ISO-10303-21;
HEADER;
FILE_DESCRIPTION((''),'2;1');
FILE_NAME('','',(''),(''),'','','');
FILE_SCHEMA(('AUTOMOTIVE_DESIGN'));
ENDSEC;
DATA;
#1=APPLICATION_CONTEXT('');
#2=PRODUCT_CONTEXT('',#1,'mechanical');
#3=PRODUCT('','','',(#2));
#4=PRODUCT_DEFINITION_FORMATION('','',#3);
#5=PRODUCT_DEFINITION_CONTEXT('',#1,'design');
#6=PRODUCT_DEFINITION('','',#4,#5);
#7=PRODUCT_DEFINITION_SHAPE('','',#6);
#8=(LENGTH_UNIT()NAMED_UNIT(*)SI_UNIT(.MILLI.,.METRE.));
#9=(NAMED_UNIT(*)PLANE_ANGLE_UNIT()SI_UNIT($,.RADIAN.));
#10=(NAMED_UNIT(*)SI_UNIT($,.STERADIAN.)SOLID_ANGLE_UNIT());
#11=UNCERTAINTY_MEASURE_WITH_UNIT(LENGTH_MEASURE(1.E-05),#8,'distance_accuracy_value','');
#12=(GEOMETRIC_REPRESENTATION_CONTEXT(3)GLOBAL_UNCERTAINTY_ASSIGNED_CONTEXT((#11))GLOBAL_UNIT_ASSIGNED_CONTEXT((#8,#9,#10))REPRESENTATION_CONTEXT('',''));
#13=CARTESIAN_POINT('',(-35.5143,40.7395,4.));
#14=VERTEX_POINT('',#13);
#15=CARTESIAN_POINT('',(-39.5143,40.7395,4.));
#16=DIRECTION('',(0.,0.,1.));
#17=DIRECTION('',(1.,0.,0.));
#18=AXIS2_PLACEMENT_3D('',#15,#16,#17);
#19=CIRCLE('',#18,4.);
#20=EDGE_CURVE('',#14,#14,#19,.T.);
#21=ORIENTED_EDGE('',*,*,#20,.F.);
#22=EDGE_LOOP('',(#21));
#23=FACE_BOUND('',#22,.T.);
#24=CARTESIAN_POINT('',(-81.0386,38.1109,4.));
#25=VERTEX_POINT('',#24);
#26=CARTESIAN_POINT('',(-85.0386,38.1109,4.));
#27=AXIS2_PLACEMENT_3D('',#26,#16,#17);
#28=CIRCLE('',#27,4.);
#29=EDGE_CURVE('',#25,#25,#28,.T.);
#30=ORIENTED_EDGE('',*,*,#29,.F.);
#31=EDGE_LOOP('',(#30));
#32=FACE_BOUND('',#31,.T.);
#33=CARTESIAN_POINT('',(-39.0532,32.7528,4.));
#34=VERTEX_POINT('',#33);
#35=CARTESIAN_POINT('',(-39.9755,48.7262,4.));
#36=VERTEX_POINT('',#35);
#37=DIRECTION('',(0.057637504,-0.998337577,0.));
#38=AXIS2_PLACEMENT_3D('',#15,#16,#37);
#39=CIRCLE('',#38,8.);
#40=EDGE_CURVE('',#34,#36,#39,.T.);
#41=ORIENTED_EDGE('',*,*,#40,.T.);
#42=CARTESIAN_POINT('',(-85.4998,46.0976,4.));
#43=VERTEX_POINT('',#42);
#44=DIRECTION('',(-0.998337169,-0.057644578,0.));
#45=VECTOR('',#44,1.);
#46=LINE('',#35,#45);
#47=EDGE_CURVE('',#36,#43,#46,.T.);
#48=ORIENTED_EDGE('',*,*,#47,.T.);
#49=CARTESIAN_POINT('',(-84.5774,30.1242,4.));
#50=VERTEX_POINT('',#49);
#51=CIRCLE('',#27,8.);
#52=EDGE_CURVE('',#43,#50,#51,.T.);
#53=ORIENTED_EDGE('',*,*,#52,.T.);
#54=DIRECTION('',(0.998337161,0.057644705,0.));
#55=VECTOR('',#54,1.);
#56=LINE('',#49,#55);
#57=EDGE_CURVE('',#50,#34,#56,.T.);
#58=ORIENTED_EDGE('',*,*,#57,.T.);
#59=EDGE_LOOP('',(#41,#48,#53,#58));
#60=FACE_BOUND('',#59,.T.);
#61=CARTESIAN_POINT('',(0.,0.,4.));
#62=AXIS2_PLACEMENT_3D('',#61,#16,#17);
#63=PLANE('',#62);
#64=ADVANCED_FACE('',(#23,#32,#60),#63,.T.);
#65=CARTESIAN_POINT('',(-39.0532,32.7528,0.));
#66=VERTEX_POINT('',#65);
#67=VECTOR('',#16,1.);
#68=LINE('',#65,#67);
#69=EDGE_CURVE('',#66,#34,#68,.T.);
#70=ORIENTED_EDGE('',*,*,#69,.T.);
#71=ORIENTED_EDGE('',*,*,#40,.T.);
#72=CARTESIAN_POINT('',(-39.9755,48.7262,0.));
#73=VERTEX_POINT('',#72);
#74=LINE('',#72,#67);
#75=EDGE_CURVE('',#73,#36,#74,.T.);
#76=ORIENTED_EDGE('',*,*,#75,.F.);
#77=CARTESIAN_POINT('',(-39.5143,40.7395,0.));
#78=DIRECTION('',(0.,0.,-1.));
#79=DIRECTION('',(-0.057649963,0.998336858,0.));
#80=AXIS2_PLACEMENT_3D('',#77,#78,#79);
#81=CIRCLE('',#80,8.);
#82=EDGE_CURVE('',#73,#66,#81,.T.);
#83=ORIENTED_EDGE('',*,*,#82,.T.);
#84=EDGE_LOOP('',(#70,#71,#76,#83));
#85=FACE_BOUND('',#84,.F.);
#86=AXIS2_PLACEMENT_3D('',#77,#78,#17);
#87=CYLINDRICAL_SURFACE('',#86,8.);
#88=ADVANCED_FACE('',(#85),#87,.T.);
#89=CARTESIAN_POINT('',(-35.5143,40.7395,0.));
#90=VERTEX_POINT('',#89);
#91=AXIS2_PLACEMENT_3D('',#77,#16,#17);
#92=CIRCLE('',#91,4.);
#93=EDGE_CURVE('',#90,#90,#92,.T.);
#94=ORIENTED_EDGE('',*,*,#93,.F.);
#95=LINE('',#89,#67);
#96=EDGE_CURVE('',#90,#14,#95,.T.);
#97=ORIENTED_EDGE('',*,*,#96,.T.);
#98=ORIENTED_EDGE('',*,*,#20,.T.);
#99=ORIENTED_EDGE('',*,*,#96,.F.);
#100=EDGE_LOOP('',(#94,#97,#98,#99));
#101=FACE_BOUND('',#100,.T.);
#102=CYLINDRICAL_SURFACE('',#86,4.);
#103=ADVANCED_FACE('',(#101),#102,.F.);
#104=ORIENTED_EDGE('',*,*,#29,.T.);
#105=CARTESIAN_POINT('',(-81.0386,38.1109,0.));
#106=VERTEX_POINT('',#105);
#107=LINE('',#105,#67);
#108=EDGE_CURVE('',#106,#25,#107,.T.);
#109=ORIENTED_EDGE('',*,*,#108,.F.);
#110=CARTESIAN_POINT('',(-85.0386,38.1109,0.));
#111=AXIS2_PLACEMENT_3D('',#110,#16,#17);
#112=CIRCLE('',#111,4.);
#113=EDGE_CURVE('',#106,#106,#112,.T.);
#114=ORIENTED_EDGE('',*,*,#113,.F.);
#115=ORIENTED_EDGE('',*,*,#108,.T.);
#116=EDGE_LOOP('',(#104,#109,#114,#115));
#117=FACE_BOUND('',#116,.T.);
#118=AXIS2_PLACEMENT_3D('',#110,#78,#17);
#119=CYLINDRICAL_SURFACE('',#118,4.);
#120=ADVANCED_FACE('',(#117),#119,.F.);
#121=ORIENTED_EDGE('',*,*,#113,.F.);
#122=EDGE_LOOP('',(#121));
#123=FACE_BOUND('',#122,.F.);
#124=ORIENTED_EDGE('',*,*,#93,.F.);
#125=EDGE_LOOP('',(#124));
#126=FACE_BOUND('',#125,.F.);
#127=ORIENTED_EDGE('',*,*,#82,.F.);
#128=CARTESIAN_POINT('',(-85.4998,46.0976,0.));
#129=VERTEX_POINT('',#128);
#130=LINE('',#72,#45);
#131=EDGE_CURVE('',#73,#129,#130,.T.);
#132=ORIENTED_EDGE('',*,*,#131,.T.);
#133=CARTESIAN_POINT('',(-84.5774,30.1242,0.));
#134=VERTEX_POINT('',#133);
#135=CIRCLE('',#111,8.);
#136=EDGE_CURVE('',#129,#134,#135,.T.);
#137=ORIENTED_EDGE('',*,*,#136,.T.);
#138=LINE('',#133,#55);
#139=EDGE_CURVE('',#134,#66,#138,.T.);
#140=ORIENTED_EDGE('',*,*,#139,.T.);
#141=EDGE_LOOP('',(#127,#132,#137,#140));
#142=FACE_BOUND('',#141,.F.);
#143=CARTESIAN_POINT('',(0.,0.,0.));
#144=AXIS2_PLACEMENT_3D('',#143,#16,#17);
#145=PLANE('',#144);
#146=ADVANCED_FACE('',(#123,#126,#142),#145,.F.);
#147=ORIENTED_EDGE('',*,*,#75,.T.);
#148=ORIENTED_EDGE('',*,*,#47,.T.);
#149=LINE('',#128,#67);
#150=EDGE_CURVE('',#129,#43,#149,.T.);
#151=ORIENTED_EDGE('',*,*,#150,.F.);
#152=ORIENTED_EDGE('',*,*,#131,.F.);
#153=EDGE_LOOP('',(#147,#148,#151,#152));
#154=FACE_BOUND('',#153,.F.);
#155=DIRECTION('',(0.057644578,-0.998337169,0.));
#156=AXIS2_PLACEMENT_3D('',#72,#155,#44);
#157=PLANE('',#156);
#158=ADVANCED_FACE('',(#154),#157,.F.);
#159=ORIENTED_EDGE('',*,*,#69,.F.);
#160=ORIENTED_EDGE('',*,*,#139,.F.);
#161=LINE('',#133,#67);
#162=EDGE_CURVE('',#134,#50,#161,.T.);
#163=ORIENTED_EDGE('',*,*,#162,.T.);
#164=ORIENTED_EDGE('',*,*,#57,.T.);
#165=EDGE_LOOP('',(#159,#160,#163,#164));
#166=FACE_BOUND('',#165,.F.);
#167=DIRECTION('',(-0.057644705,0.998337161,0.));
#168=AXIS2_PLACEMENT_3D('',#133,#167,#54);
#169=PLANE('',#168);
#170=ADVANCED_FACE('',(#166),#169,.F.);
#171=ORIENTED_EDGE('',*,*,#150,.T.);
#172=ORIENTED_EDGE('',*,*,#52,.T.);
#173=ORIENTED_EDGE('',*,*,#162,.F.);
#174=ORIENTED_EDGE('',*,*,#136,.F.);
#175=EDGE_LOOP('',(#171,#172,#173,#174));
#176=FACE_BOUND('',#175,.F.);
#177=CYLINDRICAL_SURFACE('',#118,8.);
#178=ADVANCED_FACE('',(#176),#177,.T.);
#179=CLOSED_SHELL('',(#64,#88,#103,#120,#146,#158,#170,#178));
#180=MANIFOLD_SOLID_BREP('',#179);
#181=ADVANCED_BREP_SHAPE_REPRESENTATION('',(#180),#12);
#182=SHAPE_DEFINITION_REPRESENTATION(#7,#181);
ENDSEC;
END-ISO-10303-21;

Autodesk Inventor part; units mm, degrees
ref_plane "YZ Plane" through (0, 0, 0) normal (1, 0, 0) x (0, 1, 0)
ref_plane "XZ Plane" through (0, 0, 0) normal (0, 1, 0) x (-1, 0, 0)
ref_plane "XY Plane" through (0, 0, 0) normal (0, 0, 1) x (1, 0, 0)
sketch "Sketch1" plane through (0, 0, 0) normal (0, 0, 1) x (1, 0, 0)
  circle A0 centre (0, 0) radius 93.188 construction
  line L0 (0, 0) -> (-85.0386, 38.1109) construction
  line L1 (0, 0) -> (93.188, 0) construction
  circle A1 centre (-85.0386, 38.1109) radius 4
  circle A2 centre (0, 0) radius 60 construction
  arc A3 (-39.5143, 40.7395) -> (-85.0386, 38.1109) centre (-60, 0) ccw construction
  line L2 (-60, 0) -> (-39.5143, 40.7395) construction
  line L3 (-60, 0) -> (-85.0386, 38.1109) construction
  circle A4 centre (-39.5143, 40.7395) radius 4
  circle A5 centre (-85.0386, 38.1109) radius 8
  circle A6 centre (-39.5143, 40.7395) radius 8
  line L4 (-84.5774, 30.1242) -> (-39.0532, 32.7528)
  line L5 (-39.9755, 48.7262) -> (-85.4998, 46.0976)
  dimension "d3" = 120
  dimension "d0" = 186.376
  dimension "d1" = 155.86
  dimension "d2" = 8
  dimension "d4" = 60
  dimension "d5" = 8
  dimension "d6" = 16
  dimension "d7" = 16
  dimension "d8" = 60
  dimension "d9" = 40.7395
  dimension "d10" = 39.5143
extrude "Extrusion1" add sketch "Sketch1" along normal blind 4
properties part number "Aparatus_Connector"
